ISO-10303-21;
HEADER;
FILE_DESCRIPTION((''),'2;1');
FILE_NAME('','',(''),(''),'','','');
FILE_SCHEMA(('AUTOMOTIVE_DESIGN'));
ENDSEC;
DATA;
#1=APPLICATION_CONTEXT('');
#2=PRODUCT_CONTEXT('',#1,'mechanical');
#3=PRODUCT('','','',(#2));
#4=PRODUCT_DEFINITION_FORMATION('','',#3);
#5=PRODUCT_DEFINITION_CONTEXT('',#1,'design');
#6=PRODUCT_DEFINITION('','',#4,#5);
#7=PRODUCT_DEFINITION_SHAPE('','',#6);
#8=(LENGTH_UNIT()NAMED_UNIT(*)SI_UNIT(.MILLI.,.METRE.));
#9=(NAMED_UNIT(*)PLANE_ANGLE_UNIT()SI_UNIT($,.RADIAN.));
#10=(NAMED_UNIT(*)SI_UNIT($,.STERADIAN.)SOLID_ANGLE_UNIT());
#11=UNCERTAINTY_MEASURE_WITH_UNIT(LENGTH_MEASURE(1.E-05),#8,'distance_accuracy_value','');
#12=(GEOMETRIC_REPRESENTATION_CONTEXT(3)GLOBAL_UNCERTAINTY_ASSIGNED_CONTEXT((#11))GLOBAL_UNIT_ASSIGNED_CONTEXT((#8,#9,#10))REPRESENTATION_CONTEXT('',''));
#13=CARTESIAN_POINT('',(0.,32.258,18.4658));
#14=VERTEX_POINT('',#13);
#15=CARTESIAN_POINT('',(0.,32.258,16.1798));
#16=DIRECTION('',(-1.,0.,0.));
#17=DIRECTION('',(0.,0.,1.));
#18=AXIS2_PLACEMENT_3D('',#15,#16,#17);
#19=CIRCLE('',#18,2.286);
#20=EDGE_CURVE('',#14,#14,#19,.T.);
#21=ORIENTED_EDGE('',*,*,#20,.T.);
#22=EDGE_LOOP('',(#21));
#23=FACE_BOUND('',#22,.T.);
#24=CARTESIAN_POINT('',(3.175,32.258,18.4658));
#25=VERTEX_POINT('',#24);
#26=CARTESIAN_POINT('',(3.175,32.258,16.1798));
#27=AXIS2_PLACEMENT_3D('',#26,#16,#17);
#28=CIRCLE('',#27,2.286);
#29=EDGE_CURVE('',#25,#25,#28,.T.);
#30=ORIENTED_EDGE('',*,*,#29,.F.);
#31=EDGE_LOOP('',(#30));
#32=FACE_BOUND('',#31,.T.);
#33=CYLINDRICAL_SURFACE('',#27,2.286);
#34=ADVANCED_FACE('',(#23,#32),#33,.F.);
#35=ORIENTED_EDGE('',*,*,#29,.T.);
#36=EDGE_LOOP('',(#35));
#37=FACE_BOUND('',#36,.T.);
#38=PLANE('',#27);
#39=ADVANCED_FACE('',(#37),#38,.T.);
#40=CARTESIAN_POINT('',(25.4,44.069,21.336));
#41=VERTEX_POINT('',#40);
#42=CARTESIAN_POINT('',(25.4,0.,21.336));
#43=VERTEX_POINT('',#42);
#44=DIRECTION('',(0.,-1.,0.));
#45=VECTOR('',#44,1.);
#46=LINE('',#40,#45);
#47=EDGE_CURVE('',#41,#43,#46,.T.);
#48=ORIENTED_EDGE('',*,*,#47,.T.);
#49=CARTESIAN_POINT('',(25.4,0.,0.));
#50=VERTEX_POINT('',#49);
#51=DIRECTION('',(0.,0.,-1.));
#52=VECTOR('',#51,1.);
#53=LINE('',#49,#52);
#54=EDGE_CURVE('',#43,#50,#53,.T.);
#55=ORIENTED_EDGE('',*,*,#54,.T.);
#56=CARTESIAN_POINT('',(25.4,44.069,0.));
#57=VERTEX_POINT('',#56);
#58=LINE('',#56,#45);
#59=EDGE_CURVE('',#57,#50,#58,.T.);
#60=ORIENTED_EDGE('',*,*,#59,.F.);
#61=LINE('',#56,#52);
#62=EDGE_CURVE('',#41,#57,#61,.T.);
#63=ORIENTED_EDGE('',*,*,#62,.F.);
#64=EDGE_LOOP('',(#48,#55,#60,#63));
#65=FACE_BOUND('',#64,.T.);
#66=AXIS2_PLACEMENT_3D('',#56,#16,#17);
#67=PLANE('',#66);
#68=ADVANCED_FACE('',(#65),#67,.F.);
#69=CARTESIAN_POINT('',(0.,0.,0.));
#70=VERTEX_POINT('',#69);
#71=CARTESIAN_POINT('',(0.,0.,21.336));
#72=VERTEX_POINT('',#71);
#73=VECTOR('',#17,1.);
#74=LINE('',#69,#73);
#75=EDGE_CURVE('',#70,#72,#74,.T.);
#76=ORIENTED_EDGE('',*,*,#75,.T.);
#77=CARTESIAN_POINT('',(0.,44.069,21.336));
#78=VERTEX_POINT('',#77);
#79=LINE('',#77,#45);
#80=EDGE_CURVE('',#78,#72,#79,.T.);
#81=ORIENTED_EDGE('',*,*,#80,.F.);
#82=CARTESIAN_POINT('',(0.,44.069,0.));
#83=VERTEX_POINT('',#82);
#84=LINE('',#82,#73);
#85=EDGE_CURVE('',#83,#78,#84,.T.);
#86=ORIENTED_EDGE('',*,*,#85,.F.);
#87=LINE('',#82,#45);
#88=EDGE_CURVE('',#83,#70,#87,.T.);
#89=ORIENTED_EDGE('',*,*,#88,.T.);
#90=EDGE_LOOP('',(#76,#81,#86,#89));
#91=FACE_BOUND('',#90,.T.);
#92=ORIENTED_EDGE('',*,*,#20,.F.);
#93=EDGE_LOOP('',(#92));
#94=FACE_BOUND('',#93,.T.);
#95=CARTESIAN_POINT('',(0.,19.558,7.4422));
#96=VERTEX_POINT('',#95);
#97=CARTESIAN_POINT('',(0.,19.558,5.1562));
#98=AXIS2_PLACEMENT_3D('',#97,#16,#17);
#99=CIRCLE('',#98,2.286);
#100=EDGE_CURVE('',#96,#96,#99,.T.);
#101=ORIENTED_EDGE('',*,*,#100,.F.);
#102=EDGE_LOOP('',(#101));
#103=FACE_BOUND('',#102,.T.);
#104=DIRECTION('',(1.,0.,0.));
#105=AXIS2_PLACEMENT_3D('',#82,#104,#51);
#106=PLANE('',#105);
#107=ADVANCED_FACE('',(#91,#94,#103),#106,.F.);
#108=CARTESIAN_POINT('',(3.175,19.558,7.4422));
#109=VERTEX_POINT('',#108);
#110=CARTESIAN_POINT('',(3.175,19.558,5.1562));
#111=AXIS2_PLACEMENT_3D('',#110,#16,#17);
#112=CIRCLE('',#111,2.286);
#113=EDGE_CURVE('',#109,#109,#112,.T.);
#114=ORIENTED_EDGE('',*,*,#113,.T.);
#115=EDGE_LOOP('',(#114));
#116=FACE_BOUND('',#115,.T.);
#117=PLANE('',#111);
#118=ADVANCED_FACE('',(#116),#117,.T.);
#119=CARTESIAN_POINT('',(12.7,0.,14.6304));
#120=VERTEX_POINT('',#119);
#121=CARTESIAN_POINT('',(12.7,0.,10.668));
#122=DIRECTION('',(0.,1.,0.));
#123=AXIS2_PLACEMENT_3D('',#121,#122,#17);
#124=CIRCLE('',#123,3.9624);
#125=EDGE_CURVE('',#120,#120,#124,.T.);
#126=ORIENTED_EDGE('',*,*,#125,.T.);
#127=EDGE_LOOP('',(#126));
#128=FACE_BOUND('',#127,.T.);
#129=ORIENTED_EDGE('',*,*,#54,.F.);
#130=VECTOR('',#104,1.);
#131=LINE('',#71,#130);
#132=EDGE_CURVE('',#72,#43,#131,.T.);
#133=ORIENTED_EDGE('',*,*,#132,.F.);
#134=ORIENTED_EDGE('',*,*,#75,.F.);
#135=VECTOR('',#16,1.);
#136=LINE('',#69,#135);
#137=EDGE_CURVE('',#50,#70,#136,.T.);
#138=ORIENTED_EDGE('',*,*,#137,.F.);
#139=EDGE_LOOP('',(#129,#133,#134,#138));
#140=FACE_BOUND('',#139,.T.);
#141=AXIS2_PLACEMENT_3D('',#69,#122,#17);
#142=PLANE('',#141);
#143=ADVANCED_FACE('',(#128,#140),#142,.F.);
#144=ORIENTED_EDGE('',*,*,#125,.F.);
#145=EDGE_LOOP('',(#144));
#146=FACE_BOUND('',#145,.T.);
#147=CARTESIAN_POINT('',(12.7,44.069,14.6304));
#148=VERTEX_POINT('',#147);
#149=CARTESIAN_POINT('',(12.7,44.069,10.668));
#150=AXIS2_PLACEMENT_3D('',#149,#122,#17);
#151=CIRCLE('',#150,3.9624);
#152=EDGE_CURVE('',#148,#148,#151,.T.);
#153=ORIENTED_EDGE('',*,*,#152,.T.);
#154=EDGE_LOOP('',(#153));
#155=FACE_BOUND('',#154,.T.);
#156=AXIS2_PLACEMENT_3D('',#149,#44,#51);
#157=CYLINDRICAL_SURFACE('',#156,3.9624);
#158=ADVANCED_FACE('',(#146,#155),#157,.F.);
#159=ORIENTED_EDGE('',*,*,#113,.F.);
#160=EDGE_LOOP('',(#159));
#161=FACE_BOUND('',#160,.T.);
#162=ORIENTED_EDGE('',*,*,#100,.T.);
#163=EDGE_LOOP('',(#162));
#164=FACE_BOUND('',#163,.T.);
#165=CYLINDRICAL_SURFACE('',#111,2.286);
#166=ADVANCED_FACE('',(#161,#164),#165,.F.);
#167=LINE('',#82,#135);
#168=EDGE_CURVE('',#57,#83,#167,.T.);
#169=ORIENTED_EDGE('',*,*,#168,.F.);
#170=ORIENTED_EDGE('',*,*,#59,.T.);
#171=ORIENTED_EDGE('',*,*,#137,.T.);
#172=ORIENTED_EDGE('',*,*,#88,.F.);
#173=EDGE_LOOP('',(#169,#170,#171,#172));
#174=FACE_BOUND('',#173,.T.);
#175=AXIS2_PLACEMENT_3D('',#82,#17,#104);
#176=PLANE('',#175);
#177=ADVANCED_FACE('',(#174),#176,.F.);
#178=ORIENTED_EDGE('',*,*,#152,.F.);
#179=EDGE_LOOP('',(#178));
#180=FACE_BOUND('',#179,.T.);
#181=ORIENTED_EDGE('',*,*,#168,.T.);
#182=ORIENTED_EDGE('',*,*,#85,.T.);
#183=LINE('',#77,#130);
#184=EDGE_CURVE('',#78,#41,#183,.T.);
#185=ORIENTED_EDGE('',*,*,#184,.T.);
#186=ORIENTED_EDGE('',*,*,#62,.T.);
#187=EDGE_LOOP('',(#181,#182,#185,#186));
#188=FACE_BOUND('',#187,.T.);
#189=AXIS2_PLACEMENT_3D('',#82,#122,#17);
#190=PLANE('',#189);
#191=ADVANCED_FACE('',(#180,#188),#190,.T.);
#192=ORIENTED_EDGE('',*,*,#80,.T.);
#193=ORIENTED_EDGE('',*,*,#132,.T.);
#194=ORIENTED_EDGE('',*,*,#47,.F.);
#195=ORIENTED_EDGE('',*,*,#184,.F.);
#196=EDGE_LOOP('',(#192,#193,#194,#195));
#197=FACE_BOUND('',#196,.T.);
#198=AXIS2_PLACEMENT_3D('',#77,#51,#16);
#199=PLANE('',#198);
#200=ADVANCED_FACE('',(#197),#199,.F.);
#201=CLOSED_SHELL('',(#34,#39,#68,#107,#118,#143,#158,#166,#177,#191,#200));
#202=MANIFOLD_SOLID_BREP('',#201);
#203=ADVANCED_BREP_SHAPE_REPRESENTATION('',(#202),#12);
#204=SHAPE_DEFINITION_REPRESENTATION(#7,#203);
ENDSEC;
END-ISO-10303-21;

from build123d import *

# Parameters (mm, degrees)
SKETCH1_W           = 25.4
SKETCH1_H           = 21.336
SKETCH1_R           = 3.9624
BOSS_EXTRUDE1_DEPTH = 44.069
SKETCH3_R           = 2.286
CUT_EXTRUDE2_DEPTH  = 3.175


with BuildPart() as part:
    # Sketch1 → Boss-Extrude1 (new body)
    with BuildSketch(Plane(origin=(0, 0, 0), x_dir=(1, 0, 0), z_dir=(0, 1, 0))):
        with Locations((12.7, -10.668)):
            Rectangle(SKETCH1_W, SKETCH1_H)
        with Locations(Location((12.7, -10.668, 0), (0, 0, 270))):
            Circle(SKETCH1_R, mode=Mode.SUBTRACT)
    extrude(amount=BOSS_EXTRUDE1_DEPTH)

    # Sketch3 → Cut-Extrude2 (cut)
    with BuildSketch(Plane.ZY):
        with Locations((16.1798, 32.258)):
            Circle(SKETCH3_R)
        with Locations((5.1562, 19.558)):
            Circle(SKETCH3_R)
    extrude(amount=-CUT_EXTRUDE2_DEPTH, mode=Mode.SUBTRACT)


solid = part.part
